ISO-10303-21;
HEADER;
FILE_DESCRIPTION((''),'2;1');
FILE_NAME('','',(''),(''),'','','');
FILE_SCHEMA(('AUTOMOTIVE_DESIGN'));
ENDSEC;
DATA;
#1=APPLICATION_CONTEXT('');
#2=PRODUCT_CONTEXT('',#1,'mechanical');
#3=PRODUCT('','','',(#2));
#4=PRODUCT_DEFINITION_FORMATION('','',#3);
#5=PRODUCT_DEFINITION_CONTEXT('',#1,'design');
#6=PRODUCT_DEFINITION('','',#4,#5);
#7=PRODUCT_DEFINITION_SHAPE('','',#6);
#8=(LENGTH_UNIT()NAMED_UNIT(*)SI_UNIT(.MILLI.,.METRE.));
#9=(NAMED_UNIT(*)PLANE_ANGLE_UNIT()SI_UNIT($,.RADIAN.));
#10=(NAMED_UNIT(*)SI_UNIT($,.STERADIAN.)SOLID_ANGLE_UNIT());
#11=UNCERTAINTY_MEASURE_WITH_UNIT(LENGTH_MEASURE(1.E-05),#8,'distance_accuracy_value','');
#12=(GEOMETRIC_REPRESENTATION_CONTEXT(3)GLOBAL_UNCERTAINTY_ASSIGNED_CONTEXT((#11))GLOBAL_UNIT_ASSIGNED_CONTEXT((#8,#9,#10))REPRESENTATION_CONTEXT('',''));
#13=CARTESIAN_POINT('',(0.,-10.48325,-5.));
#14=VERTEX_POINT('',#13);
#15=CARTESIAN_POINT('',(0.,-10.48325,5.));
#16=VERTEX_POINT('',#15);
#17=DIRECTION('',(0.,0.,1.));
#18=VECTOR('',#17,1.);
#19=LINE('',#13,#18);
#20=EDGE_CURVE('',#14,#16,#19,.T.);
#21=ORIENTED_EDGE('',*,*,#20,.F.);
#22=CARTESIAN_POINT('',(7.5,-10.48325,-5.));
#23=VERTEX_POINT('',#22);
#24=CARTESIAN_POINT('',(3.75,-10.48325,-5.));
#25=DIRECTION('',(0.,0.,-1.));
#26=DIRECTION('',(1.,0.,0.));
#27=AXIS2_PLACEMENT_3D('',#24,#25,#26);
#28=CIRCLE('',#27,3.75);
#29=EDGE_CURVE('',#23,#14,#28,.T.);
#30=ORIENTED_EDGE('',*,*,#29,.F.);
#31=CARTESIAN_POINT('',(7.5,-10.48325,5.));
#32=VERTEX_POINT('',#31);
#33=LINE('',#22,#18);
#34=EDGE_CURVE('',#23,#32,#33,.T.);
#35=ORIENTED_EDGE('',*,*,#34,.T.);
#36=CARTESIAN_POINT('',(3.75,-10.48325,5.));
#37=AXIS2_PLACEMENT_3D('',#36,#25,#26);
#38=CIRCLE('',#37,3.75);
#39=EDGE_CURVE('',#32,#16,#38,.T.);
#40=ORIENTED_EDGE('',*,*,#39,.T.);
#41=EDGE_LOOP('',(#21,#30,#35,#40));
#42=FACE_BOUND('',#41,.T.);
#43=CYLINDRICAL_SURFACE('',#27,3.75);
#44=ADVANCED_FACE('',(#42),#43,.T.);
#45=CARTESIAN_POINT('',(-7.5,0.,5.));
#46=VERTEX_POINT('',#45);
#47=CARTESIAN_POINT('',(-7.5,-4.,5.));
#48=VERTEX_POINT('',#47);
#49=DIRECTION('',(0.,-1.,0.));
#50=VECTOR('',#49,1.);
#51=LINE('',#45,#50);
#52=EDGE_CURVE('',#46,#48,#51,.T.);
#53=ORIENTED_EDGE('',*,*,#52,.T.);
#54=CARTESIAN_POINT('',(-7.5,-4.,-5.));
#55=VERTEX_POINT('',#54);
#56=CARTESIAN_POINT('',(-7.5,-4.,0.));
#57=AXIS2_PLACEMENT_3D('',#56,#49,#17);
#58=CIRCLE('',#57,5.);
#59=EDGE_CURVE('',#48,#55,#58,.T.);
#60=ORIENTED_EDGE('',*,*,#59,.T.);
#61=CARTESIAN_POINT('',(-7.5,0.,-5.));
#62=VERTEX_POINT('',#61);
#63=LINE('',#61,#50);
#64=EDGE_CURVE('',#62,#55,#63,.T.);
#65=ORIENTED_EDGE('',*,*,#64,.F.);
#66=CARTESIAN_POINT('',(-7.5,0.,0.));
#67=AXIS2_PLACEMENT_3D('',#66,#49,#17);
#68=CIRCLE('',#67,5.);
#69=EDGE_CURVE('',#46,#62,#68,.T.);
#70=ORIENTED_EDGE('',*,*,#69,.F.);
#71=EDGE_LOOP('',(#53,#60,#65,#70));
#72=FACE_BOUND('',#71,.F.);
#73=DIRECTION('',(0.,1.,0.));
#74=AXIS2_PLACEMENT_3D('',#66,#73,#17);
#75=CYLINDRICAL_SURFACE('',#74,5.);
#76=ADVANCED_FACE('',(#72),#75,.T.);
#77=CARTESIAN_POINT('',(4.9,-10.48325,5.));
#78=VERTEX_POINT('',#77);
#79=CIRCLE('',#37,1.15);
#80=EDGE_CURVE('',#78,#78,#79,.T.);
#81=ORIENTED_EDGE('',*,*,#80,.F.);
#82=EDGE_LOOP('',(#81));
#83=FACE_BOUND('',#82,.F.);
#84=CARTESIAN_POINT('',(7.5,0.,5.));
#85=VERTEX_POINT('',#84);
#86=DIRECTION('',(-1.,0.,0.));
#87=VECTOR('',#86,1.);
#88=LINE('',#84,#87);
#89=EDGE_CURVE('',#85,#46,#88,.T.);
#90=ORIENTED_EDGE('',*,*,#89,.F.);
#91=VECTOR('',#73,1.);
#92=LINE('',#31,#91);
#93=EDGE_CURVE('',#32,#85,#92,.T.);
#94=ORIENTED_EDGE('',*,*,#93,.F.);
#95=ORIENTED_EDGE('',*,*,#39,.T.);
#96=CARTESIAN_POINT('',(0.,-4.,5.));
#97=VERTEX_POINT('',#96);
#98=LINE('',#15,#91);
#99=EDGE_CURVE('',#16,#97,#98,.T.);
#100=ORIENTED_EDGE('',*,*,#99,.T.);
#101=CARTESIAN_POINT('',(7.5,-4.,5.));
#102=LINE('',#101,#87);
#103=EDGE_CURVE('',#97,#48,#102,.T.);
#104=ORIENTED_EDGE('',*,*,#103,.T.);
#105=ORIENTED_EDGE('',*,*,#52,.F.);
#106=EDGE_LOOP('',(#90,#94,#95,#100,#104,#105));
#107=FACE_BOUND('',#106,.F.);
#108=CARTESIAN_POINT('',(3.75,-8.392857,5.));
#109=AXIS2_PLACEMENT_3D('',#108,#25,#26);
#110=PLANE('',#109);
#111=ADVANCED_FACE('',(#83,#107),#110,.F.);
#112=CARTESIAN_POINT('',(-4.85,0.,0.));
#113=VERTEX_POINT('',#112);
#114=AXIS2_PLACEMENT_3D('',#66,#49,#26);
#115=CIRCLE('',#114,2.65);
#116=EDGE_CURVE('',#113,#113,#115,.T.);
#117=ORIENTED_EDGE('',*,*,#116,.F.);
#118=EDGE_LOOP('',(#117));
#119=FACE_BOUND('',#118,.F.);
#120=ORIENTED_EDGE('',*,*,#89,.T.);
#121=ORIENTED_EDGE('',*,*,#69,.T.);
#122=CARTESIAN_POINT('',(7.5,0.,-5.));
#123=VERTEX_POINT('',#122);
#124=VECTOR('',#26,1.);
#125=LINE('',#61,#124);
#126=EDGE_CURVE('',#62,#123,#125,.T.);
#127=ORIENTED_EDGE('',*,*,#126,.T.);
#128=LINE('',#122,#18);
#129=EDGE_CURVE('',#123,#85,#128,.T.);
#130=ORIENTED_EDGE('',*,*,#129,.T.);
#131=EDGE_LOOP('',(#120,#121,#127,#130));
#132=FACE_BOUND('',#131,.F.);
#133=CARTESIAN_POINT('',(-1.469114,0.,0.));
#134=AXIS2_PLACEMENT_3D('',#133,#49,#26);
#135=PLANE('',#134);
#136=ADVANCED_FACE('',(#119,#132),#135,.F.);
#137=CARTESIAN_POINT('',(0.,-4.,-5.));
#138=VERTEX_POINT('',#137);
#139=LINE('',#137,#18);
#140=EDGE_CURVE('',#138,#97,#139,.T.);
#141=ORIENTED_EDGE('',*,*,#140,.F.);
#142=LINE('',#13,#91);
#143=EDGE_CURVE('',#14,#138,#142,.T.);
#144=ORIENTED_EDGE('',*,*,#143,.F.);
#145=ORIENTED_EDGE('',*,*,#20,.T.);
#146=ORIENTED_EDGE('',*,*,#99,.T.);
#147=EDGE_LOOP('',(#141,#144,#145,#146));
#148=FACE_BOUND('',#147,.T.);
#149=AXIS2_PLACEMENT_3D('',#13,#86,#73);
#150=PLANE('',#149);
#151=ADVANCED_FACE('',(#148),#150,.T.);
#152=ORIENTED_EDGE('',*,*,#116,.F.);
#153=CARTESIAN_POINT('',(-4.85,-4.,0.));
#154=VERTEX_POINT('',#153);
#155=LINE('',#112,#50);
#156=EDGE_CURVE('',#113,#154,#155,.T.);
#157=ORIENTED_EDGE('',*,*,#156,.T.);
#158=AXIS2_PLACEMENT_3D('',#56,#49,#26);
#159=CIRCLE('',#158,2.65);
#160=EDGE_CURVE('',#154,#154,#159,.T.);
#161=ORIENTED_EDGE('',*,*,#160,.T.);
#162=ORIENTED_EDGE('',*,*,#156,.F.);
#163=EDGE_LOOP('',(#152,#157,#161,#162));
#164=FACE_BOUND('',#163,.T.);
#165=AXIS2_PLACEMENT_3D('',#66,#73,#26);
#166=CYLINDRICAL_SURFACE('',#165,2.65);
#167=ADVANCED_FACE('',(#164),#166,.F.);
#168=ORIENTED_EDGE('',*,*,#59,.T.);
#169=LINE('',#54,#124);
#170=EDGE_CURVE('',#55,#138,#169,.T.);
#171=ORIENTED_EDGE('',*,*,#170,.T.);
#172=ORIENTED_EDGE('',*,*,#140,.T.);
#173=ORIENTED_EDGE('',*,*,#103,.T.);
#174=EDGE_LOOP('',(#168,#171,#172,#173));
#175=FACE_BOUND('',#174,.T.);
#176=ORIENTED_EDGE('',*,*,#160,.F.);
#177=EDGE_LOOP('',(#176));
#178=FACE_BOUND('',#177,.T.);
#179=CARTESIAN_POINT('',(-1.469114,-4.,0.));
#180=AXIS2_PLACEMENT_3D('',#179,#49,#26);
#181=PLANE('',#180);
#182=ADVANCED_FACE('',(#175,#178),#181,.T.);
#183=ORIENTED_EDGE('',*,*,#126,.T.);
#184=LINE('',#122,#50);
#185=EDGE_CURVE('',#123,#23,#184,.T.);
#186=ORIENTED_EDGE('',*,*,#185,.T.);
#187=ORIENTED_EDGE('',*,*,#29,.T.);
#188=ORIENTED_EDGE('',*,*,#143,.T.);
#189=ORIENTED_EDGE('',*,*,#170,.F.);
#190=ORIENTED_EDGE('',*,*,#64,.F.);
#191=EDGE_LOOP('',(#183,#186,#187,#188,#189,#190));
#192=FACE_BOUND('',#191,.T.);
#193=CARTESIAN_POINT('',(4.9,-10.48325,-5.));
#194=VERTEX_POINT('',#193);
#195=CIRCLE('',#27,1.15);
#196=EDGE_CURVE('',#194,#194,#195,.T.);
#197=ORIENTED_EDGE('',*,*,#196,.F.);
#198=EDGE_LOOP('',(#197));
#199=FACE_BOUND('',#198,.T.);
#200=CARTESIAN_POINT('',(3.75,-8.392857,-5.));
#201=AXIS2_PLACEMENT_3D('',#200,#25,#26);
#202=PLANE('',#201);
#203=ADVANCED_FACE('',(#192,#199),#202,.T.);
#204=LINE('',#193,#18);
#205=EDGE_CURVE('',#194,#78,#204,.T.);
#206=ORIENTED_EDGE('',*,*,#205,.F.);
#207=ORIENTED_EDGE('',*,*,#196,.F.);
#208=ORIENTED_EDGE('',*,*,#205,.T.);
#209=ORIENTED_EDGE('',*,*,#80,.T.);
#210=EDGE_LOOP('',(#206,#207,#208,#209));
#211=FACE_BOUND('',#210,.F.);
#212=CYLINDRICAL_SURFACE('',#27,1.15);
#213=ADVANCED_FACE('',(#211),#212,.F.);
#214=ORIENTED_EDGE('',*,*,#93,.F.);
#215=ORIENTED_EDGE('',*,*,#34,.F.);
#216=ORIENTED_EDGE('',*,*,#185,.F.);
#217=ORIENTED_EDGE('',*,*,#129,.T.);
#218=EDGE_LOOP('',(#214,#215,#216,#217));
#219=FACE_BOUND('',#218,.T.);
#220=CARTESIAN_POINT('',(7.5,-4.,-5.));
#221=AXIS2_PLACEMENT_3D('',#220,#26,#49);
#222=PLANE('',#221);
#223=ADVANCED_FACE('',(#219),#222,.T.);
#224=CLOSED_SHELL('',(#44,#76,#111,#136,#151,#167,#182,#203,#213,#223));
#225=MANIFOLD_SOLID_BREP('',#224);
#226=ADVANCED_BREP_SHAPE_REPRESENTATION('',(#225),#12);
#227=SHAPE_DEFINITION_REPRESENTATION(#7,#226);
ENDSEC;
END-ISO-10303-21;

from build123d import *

# Parameters (mm, degrees)
F0_R     = 2.65
F1_DEPTH = 4
F2_R     = 1.15
F3_DEPTH = 10


with BuildPart() as f1:
    # F0 (on Front) → F1 (new body)
    with BuildSketch(Plane.XZ):
        with BuildLine():
            Line((-7.5, -5), (7.5, -5))
            Line((7.5, -5), (7.5, 5))
            Line((7.5, 5), (-7.5, 5))
            ThreePointArc((-7.5, 5), (-12.5, 0), (-7.5, -5))
        make_face()
        with Locations((-7.5, 0)):
            Circle(F0_R, mode=Mode.SUBTRACT)
    extrude(amount=F1_DEPTH)

    # F2 (on face) → F3 (join, through all)
    with BuildSketch(Plane(origin=(0, 0, -5), x_dir=(1, 0, 0), z_dir=(0, 0, -1))):
        with BuildLine():
            Line((0, 4), (7.5, 4))
            Line((7.5, 4), (7.5, 10.48325))
            ThreePointArc((7.5, 10.48325), (3.75, 14.23325), (0, 10.48325))
            Line((0, 10.48325), (0, 4))
        make_face()
        with Locations((3.75, 10.48325)):
            Circle(F2_R, mode=Mode.SUBTRACT)
    extrude(amount=-F3_DEPTH)


solid = f1.part
